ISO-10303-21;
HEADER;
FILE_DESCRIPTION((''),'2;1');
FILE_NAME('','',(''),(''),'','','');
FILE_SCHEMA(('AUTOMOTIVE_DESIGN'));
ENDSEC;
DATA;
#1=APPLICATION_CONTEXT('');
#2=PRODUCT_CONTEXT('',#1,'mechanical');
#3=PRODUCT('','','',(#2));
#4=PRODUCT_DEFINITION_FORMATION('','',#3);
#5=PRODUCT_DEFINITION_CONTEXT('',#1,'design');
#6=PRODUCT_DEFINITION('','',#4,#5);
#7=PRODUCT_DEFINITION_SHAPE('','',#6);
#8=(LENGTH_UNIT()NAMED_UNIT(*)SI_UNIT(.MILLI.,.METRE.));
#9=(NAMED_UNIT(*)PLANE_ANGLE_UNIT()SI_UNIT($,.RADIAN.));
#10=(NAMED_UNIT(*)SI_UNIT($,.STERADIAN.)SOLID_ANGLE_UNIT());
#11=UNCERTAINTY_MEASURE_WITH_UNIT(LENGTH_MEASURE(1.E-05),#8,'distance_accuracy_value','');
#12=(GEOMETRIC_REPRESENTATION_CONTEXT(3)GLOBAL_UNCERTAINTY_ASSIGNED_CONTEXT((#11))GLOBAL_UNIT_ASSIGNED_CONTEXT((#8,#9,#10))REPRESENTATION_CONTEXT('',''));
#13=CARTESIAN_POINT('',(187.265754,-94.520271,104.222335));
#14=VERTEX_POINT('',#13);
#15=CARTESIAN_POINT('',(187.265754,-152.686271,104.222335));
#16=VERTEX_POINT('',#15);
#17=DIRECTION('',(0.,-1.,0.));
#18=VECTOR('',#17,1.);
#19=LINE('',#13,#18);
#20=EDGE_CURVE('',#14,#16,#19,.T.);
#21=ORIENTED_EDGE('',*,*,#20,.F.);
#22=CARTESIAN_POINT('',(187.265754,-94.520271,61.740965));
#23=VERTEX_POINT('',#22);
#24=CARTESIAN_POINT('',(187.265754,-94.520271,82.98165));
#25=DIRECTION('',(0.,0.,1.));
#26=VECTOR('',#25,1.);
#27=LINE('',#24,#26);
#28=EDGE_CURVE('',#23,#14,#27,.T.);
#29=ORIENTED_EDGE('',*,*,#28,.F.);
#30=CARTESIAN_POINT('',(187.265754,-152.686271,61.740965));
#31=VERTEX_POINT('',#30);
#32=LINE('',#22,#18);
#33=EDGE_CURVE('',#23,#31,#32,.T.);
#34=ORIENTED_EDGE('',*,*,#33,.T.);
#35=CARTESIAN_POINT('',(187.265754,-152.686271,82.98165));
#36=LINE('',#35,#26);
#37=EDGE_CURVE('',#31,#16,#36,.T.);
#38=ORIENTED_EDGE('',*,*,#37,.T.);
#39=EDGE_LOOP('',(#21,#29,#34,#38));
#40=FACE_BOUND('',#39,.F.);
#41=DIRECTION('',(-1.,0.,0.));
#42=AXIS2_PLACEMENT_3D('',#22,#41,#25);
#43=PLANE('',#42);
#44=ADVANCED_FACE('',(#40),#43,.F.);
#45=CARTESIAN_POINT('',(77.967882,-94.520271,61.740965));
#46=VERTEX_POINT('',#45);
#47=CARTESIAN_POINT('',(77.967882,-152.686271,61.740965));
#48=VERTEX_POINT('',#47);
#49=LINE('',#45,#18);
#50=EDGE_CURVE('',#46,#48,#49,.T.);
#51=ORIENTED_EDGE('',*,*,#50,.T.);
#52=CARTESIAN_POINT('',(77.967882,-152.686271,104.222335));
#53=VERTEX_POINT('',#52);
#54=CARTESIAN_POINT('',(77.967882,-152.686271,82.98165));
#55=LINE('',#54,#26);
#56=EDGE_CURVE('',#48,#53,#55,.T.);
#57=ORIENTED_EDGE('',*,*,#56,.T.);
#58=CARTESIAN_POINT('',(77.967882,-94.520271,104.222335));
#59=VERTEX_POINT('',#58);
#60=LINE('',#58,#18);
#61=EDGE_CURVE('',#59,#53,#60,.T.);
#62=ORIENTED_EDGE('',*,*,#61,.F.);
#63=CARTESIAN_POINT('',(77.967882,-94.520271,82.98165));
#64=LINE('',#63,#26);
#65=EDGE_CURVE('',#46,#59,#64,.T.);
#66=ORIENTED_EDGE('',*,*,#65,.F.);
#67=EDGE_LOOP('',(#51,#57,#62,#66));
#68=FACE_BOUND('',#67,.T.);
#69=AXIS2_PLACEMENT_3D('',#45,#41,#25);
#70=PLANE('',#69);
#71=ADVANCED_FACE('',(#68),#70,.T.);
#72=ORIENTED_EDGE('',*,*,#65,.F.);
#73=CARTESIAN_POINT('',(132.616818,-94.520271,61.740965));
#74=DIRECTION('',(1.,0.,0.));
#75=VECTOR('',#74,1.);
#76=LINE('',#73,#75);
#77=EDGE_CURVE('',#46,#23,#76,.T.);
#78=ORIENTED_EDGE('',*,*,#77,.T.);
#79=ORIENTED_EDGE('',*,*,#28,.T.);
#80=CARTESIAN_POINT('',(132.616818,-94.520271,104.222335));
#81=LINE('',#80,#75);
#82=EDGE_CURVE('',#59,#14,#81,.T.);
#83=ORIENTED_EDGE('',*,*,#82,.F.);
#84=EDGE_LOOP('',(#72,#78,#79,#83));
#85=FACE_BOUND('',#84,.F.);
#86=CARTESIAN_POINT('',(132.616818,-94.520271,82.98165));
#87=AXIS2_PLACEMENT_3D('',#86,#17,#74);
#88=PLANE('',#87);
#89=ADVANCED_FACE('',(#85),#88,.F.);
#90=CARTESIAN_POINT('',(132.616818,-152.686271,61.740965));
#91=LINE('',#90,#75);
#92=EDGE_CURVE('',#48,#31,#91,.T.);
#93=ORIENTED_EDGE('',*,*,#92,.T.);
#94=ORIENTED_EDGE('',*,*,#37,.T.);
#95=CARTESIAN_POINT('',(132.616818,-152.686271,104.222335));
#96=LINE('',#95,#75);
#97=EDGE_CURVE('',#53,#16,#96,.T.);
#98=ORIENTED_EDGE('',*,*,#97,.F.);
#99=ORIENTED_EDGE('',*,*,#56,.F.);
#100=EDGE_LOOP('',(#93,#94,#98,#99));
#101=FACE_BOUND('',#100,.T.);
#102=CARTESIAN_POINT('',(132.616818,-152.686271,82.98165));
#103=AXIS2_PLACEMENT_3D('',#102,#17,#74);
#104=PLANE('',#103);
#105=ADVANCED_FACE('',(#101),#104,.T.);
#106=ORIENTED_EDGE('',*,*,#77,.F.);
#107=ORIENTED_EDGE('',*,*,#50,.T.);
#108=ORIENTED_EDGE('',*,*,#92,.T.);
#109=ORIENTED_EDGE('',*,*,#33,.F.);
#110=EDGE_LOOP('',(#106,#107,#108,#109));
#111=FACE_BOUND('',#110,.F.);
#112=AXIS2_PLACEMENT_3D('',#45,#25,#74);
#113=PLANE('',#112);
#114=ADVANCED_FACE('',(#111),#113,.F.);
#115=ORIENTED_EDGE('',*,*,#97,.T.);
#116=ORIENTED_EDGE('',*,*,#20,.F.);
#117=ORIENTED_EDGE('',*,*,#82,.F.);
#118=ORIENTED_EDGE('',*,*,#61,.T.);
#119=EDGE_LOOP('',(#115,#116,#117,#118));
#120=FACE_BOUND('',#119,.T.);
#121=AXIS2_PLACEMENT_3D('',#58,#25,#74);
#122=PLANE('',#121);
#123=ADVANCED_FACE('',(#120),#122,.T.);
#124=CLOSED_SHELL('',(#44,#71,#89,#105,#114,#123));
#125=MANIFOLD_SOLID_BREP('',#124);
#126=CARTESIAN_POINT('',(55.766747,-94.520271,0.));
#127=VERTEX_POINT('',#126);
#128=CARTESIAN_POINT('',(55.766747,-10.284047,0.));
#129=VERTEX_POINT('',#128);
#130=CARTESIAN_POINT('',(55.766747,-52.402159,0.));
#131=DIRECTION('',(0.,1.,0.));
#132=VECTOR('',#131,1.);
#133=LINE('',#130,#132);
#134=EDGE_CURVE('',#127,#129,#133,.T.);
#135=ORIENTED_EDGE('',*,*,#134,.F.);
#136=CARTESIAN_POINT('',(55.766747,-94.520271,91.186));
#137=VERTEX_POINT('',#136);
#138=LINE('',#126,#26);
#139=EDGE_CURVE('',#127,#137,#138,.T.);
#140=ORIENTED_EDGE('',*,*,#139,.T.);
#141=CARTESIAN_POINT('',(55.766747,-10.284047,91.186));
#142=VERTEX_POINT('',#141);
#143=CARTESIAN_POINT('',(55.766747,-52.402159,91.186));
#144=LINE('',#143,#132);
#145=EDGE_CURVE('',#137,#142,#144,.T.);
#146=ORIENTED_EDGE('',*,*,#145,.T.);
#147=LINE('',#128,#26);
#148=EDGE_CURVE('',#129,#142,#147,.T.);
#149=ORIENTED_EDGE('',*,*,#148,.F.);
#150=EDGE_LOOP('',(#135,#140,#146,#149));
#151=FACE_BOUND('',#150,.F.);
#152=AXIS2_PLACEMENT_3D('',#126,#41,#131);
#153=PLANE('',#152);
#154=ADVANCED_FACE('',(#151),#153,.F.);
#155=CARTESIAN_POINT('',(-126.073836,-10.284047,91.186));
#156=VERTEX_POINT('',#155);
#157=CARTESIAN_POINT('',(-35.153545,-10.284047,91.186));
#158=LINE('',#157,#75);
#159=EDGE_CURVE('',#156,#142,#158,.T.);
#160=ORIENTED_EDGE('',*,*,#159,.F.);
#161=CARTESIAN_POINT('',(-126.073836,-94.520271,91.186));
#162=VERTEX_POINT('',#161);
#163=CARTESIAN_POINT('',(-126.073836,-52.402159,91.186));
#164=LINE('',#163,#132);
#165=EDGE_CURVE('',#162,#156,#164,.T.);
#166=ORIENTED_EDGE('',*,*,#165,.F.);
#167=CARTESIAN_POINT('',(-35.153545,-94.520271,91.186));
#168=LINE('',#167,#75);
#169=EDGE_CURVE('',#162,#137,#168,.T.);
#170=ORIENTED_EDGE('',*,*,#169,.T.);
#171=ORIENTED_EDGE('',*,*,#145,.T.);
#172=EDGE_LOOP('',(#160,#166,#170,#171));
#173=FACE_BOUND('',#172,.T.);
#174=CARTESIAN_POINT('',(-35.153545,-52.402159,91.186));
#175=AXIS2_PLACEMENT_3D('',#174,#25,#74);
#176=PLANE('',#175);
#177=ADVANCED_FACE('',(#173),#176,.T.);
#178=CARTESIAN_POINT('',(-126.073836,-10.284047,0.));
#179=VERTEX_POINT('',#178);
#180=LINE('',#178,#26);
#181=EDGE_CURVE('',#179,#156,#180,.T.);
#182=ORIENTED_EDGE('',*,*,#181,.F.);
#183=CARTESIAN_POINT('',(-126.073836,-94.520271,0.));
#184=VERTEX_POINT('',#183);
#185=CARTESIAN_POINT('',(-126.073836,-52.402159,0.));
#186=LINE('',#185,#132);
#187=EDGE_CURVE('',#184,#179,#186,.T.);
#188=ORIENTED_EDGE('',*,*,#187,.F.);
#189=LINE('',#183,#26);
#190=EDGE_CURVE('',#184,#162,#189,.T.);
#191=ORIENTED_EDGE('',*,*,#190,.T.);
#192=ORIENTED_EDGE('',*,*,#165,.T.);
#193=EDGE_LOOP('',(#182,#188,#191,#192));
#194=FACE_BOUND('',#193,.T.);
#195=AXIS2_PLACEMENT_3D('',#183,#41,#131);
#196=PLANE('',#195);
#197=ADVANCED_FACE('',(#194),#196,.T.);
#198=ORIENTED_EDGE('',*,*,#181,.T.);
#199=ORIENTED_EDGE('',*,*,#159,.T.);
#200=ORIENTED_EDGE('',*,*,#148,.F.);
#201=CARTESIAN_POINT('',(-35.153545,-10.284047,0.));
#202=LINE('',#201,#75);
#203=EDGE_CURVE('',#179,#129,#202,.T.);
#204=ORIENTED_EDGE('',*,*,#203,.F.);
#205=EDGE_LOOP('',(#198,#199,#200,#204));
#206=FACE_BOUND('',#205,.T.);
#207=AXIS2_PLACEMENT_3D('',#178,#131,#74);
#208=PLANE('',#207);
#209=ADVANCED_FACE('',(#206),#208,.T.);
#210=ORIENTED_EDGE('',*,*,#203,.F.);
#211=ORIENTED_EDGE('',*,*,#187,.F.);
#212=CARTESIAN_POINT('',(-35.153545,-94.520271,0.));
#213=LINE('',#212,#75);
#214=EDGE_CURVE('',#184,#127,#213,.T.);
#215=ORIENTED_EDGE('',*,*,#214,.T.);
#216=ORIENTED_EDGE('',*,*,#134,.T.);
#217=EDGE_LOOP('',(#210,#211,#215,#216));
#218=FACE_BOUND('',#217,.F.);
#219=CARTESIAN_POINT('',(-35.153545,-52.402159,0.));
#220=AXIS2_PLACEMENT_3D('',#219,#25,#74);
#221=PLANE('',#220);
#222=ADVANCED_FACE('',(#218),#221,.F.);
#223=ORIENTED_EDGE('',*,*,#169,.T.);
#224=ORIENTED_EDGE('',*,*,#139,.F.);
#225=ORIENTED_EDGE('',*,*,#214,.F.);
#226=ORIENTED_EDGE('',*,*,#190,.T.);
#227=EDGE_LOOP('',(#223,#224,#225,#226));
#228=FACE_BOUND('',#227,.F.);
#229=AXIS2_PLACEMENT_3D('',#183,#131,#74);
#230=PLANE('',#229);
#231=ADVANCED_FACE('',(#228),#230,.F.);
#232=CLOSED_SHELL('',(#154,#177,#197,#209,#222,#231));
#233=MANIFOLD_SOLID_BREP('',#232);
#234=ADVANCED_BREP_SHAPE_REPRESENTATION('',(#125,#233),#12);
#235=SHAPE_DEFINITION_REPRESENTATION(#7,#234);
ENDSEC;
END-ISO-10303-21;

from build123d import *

# Parameters (mm, degrees)
F0_W     = 181.840583
F0_H     = 84.236224
F1_DEPTH = 91.186
F2_W     = 109.297872
F2_H     = 42.48137
F3_DEPTH = 58.166


with BuildPart() as f1:
    # F0 (on Top) → F1 (new body)
    with BuildSketch(Plane.XY):
        with Locations((-35.153545, -52.402159)):
            Rectangle(F0_W, F0_H)
    extrude(amount=F1_DEPTH)


with BuildPart() as f3:
    # F2 (on face) → F3 (new body)
    with BuildSketch(Plane.XZ.offset(94.520271)):
        with Locations((132.616818, 82.98165)):
            Rectangle(F2_W, F2_H)
    extrude(amount=F3_DEPTH)


solid = Compound([f1.part, f3.part])
